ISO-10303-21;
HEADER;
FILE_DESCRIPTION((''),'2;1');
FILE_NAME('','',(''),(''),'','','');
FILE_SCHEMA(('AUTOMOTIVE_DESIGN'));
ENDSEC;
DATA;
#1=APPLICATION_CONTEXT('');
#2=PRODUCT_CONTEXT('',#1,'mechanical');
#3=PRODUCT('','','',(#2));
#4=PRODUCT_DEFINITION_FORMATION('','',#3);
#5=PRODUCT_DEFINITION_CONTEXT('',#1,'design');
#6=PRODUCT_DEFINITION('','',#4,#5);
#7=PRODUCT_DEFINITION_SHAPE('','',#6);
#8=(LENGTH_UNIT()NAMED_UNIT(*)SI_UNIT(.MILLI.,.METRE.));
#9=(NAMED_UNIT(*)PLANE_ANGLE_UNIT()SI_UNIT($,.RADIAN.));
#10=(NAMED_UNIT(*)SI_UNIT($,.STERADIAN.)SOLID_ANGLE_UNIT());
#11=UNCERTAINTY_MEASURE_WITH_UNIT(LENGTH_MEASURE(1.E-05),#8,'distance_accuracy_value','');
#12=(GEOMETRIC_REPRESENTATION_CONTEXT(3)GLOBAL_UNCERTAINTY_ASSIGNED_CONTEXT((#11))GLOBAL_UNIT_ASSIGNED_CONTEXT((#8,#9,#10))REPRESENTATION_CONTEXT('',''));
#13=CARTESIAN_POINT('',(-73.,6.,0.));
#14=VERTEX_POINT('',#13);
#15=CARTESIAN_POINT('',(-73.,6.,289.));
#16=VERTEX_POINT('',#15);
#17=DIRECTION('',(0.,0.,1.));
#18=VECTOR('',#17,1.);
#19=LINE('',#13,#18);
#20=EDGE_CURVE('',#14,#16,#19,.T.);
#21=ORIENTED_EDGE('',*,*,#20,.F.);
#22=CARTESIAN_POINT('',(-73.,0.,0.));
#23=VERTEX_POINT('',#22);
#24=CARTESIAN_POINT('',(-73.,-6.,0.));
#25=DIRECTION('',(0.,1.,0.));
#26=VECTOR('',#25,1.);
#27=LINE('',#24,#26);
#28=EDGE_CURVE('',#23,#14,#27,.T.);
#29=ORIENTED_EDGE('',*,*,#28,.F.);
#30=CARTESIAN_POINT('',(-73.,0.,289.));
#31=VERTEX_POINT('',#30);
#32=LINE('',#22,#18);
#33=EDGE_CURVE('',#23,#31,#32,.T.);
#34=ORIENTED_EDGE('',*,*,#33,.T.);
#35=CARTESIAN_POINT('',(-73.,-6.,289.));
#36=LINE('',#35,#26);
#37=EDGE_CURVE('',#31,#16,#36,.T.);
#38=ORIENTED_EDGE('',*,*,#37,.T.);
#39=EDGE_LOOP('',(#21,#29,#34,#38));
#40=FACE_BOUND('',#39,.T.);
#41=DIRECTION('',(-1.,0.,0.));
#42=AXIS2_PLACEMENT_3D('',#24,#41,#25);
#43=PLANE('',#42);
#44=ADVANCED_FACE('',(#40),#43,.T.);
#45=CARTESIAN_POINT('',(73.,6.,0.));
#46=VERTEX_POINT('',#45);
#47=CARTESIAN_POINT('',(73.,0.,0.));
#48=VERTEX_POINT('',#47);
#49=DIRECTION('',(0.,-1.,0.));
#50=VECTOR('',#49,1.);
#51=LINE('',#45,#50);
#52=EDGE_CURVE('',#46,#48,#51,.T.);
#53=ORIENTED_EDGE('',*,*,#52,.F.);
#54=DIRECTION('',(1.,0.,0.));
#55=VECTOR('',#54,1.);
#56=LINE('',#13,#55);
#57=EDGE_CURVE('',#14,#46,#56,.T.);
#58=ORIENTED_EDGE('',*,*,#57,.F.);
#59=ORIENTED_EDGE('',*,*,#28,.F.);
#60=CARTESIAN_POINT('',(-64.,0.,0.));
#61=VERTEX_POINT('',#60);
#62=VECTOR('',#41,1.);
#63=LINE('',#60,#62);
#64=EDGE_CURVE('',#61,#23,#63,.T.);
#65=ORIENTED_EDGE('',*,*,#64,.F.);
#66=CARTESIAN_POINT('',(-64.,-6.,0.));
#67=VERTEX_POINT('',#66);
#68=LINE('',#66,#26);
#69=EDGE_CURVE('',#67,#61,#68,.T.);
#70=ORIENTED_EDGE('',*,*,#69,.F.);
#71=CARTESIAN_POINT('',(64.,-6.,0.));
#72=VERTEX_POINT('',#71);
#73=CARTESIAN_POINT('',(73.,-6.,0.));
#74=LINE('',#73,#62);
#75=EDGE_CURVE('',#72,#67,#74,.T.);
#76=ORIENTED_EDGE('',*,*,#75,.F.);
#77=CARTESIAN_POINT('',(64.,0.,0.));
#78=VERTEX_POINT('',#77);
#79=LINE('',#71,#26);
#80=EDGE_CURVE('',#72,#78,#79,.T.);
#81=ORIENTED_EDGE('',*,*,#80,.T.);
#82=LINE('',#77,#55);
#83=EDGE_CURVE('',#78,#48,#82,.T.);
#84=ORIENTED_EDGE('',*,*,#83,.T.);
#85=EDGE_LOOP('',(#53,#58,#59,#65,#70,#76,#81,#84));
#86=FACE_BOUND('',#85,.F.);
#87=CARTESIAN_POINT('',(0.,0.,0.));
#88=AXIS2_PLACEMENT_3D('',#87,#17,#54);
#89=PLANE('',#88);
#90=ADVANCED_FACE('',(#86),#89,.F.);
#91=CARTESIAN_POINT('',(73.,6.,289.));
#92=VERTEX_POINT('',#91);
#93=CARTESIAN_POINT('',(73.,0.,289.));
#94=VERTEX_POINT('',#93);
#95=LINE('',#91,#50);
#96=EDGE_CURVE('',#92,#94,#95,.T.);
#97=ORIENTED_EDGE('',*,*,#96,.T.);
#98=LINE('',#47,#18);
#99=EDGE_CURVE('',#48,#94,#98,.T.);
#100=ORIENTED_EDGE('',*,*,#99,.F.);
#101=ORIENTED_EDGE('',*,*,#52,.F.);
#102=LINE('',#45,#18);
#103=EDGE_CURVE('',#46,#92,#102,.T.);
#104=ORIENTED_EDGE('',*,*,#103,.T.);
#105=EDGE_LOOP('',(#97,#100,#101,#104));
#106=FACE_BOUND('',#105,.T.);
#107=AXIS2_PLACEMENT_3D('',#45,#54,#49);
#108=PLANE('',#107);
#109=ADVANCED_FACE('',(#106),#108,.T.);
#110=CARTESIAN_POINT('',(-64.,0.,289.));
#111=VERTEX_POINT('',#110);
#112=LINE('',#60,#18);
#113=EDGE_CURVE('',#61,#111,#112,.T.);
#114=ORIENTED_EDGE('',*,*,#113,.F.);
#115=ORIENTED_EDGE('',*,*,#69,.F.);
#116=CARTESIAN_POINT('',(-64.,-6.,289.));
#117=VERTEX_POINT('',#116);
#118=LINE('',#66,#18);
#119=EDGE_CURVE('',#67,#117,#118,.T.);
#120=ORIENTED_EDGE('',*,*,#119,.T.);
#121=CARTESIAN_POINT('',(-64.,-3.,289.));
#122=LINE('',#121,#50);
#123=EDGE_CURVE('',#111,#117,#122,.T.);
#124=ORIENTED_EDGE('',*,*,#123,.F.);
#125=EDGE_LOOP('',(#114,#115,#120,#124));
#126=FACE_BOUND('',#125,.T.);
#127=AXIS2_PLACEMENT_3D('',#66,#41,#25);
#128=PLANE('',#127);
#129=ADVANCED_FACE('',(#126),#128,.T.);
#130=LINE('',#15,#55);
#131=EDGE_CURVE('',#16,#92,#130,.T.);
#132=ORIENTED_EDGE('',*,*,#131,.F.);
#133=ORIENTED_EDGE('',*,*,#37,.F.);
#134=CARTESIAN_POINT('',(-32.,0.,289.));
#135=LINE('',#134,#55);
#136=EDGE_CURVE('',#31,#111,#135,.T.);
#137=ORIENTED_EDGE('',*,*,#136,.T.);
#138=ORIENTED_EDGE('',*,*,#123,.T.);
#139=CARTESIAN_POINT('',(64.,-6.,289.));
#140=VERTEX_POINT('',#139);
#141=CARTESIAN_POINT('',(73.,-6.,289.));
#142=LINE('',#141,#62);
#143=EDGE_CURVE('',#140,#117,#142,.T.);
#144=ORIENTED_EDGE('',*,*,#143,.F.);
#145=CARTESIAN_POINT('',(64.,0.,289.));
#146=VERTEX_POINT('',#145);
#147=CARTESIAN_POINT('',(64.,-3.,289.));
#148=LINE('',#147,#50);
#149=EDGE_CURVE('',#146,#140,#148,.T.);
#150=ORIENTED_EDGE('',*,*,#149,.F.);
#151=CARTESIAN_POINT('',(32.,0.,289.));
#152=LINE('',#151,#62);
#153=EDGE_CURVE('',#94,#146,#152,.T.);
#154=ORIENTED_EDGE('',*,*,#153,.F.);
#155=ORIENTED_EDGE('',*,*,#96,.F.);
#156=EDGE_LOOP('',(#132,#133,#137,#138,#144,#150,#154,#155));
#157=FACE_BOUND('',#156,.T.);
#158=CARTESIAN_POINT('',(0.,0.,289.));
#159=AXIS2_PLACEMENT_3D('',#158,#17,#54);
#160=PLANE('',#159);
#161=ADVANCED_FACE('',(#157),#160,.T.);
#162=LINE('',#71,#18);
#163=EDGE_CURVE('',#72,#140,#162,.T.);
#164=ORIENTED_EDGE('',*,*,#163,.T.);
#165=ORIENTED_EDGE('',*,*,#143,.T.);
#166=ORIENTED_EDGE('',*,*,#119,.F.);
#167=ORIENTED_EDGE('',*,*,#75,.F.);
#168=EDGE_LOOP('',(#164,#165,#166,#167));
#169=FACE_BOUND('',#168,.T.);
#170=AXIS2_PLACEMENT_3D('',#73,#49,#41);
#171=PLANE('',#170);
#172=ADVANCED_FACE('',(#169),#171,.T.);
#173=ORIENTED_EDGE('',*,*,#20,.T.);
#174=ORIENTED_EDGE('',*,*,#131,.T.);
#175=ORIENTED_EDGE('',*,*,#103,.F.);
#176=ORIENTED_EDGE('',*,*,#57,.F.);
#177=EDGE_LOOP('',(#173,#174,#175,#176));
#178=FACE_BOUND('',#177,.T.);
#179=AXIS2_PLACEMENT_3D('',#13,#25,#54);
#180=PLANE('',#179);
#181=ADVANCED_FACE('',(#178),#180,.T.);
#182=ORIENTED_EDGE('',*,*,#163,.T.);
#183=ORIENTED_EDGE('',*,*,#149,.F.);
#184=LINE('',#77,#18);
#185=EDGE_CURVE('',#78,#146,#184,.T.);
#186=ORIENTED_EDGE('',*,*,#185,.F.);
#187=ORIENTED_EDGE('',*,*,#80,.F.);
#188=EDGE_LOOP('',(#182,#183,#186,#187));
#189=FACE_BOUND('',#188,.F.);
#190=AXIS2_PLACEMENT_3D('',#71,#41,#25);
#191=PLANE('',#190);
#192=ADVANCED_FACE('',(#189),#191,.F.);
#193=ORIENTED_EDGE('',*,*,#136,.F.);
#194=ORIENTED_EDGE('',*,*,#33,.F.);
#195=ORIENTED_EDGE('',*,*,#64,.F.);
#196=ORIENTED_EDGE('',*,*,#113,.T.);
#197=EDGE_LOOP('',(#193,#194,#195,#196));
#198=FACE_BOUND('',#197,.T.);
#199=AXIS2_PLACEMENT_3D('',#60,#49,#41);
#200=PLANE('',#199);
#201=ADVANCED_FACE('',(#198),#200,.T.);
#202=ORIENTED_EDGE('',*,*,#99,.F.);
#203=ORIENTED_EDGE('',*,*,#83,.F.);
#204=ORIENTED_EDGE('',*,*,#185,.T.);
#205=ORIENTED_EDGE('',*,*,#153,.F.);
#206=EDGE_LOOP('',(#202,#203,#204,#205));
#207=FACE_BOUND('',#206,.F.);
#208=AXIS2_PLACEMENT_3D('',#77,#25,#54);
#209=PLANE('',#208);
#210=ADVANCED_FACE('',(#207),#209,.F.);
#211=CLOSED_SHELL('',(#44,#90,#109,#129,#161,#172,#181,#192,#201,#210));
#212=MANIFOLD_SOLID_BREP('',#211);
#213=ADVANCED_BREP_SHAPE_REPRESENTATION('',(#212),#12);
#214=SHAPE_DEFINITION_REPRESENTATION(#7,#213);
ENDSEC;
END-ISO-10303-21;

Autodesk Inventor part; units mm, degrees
ref_plane "YZ Plane" through (0, 0, 0) normal (1, 0, 0) x (0, 1, 0)
ref_plane "XZ Plane" through (0, 0, 0) normal (0, 1, 0) x (-1, 0, 0)
ref_plane "XY Plane" through (0, 0, 0) normal (0, 0, 1) x (1, 0, 0)
sketch "Skizze1" plane through (0, 0, 0) normal (0, 0, 1) x (1, 0, 0)
  line L0 (73, -6) -> (-73, -6)
  line L1 (-73, -6) -> (-73, 6)
  line L2 (-73, 6) -> (73, 6)
  line L3 (73, 6) -> (73, -6)
  line L4 (73, -6) -> (-73, 6) construction
  line L5 (-73, -6) -> (73, 6) construction
  point P0 (0, 0)
  dimension "d0" = 146
  dimension "d1" = 12
extrude "Extrusion1" add sketch "Skizze1" along normal blind 289
sketch "Skizze2" plane through (0, 0, 0) normal (0, 0, -1) x (-1, 0, 0)
  line L0 (-73, -6) -> (-64, -6)
  line L1 (-64, -6) -> (-64, 0)
  line L2 (-64, 0) -> (-73, 0)
  line L3 (-73, 0) -> (-73, -6)
  line L4 (73, -6) -> (64, -6)
  line L5 (64, -6) -> (64, 0)
  line L6 (64, 0) -> (73, 0)
  line L7 (73, 0) -> (73, -6)
  point P0 (0, 0)
  dimension "d4" = 6
  dimension "d5" = 128
  dimension "d6" = 64
extrude "Extrusion2" cut sketch "Skizze2" against normal through all
equation "\"d6\" = 0.5 * d5"
properties part number "Lid_MaintenanceCover" material "Polycarbonat, klar"
